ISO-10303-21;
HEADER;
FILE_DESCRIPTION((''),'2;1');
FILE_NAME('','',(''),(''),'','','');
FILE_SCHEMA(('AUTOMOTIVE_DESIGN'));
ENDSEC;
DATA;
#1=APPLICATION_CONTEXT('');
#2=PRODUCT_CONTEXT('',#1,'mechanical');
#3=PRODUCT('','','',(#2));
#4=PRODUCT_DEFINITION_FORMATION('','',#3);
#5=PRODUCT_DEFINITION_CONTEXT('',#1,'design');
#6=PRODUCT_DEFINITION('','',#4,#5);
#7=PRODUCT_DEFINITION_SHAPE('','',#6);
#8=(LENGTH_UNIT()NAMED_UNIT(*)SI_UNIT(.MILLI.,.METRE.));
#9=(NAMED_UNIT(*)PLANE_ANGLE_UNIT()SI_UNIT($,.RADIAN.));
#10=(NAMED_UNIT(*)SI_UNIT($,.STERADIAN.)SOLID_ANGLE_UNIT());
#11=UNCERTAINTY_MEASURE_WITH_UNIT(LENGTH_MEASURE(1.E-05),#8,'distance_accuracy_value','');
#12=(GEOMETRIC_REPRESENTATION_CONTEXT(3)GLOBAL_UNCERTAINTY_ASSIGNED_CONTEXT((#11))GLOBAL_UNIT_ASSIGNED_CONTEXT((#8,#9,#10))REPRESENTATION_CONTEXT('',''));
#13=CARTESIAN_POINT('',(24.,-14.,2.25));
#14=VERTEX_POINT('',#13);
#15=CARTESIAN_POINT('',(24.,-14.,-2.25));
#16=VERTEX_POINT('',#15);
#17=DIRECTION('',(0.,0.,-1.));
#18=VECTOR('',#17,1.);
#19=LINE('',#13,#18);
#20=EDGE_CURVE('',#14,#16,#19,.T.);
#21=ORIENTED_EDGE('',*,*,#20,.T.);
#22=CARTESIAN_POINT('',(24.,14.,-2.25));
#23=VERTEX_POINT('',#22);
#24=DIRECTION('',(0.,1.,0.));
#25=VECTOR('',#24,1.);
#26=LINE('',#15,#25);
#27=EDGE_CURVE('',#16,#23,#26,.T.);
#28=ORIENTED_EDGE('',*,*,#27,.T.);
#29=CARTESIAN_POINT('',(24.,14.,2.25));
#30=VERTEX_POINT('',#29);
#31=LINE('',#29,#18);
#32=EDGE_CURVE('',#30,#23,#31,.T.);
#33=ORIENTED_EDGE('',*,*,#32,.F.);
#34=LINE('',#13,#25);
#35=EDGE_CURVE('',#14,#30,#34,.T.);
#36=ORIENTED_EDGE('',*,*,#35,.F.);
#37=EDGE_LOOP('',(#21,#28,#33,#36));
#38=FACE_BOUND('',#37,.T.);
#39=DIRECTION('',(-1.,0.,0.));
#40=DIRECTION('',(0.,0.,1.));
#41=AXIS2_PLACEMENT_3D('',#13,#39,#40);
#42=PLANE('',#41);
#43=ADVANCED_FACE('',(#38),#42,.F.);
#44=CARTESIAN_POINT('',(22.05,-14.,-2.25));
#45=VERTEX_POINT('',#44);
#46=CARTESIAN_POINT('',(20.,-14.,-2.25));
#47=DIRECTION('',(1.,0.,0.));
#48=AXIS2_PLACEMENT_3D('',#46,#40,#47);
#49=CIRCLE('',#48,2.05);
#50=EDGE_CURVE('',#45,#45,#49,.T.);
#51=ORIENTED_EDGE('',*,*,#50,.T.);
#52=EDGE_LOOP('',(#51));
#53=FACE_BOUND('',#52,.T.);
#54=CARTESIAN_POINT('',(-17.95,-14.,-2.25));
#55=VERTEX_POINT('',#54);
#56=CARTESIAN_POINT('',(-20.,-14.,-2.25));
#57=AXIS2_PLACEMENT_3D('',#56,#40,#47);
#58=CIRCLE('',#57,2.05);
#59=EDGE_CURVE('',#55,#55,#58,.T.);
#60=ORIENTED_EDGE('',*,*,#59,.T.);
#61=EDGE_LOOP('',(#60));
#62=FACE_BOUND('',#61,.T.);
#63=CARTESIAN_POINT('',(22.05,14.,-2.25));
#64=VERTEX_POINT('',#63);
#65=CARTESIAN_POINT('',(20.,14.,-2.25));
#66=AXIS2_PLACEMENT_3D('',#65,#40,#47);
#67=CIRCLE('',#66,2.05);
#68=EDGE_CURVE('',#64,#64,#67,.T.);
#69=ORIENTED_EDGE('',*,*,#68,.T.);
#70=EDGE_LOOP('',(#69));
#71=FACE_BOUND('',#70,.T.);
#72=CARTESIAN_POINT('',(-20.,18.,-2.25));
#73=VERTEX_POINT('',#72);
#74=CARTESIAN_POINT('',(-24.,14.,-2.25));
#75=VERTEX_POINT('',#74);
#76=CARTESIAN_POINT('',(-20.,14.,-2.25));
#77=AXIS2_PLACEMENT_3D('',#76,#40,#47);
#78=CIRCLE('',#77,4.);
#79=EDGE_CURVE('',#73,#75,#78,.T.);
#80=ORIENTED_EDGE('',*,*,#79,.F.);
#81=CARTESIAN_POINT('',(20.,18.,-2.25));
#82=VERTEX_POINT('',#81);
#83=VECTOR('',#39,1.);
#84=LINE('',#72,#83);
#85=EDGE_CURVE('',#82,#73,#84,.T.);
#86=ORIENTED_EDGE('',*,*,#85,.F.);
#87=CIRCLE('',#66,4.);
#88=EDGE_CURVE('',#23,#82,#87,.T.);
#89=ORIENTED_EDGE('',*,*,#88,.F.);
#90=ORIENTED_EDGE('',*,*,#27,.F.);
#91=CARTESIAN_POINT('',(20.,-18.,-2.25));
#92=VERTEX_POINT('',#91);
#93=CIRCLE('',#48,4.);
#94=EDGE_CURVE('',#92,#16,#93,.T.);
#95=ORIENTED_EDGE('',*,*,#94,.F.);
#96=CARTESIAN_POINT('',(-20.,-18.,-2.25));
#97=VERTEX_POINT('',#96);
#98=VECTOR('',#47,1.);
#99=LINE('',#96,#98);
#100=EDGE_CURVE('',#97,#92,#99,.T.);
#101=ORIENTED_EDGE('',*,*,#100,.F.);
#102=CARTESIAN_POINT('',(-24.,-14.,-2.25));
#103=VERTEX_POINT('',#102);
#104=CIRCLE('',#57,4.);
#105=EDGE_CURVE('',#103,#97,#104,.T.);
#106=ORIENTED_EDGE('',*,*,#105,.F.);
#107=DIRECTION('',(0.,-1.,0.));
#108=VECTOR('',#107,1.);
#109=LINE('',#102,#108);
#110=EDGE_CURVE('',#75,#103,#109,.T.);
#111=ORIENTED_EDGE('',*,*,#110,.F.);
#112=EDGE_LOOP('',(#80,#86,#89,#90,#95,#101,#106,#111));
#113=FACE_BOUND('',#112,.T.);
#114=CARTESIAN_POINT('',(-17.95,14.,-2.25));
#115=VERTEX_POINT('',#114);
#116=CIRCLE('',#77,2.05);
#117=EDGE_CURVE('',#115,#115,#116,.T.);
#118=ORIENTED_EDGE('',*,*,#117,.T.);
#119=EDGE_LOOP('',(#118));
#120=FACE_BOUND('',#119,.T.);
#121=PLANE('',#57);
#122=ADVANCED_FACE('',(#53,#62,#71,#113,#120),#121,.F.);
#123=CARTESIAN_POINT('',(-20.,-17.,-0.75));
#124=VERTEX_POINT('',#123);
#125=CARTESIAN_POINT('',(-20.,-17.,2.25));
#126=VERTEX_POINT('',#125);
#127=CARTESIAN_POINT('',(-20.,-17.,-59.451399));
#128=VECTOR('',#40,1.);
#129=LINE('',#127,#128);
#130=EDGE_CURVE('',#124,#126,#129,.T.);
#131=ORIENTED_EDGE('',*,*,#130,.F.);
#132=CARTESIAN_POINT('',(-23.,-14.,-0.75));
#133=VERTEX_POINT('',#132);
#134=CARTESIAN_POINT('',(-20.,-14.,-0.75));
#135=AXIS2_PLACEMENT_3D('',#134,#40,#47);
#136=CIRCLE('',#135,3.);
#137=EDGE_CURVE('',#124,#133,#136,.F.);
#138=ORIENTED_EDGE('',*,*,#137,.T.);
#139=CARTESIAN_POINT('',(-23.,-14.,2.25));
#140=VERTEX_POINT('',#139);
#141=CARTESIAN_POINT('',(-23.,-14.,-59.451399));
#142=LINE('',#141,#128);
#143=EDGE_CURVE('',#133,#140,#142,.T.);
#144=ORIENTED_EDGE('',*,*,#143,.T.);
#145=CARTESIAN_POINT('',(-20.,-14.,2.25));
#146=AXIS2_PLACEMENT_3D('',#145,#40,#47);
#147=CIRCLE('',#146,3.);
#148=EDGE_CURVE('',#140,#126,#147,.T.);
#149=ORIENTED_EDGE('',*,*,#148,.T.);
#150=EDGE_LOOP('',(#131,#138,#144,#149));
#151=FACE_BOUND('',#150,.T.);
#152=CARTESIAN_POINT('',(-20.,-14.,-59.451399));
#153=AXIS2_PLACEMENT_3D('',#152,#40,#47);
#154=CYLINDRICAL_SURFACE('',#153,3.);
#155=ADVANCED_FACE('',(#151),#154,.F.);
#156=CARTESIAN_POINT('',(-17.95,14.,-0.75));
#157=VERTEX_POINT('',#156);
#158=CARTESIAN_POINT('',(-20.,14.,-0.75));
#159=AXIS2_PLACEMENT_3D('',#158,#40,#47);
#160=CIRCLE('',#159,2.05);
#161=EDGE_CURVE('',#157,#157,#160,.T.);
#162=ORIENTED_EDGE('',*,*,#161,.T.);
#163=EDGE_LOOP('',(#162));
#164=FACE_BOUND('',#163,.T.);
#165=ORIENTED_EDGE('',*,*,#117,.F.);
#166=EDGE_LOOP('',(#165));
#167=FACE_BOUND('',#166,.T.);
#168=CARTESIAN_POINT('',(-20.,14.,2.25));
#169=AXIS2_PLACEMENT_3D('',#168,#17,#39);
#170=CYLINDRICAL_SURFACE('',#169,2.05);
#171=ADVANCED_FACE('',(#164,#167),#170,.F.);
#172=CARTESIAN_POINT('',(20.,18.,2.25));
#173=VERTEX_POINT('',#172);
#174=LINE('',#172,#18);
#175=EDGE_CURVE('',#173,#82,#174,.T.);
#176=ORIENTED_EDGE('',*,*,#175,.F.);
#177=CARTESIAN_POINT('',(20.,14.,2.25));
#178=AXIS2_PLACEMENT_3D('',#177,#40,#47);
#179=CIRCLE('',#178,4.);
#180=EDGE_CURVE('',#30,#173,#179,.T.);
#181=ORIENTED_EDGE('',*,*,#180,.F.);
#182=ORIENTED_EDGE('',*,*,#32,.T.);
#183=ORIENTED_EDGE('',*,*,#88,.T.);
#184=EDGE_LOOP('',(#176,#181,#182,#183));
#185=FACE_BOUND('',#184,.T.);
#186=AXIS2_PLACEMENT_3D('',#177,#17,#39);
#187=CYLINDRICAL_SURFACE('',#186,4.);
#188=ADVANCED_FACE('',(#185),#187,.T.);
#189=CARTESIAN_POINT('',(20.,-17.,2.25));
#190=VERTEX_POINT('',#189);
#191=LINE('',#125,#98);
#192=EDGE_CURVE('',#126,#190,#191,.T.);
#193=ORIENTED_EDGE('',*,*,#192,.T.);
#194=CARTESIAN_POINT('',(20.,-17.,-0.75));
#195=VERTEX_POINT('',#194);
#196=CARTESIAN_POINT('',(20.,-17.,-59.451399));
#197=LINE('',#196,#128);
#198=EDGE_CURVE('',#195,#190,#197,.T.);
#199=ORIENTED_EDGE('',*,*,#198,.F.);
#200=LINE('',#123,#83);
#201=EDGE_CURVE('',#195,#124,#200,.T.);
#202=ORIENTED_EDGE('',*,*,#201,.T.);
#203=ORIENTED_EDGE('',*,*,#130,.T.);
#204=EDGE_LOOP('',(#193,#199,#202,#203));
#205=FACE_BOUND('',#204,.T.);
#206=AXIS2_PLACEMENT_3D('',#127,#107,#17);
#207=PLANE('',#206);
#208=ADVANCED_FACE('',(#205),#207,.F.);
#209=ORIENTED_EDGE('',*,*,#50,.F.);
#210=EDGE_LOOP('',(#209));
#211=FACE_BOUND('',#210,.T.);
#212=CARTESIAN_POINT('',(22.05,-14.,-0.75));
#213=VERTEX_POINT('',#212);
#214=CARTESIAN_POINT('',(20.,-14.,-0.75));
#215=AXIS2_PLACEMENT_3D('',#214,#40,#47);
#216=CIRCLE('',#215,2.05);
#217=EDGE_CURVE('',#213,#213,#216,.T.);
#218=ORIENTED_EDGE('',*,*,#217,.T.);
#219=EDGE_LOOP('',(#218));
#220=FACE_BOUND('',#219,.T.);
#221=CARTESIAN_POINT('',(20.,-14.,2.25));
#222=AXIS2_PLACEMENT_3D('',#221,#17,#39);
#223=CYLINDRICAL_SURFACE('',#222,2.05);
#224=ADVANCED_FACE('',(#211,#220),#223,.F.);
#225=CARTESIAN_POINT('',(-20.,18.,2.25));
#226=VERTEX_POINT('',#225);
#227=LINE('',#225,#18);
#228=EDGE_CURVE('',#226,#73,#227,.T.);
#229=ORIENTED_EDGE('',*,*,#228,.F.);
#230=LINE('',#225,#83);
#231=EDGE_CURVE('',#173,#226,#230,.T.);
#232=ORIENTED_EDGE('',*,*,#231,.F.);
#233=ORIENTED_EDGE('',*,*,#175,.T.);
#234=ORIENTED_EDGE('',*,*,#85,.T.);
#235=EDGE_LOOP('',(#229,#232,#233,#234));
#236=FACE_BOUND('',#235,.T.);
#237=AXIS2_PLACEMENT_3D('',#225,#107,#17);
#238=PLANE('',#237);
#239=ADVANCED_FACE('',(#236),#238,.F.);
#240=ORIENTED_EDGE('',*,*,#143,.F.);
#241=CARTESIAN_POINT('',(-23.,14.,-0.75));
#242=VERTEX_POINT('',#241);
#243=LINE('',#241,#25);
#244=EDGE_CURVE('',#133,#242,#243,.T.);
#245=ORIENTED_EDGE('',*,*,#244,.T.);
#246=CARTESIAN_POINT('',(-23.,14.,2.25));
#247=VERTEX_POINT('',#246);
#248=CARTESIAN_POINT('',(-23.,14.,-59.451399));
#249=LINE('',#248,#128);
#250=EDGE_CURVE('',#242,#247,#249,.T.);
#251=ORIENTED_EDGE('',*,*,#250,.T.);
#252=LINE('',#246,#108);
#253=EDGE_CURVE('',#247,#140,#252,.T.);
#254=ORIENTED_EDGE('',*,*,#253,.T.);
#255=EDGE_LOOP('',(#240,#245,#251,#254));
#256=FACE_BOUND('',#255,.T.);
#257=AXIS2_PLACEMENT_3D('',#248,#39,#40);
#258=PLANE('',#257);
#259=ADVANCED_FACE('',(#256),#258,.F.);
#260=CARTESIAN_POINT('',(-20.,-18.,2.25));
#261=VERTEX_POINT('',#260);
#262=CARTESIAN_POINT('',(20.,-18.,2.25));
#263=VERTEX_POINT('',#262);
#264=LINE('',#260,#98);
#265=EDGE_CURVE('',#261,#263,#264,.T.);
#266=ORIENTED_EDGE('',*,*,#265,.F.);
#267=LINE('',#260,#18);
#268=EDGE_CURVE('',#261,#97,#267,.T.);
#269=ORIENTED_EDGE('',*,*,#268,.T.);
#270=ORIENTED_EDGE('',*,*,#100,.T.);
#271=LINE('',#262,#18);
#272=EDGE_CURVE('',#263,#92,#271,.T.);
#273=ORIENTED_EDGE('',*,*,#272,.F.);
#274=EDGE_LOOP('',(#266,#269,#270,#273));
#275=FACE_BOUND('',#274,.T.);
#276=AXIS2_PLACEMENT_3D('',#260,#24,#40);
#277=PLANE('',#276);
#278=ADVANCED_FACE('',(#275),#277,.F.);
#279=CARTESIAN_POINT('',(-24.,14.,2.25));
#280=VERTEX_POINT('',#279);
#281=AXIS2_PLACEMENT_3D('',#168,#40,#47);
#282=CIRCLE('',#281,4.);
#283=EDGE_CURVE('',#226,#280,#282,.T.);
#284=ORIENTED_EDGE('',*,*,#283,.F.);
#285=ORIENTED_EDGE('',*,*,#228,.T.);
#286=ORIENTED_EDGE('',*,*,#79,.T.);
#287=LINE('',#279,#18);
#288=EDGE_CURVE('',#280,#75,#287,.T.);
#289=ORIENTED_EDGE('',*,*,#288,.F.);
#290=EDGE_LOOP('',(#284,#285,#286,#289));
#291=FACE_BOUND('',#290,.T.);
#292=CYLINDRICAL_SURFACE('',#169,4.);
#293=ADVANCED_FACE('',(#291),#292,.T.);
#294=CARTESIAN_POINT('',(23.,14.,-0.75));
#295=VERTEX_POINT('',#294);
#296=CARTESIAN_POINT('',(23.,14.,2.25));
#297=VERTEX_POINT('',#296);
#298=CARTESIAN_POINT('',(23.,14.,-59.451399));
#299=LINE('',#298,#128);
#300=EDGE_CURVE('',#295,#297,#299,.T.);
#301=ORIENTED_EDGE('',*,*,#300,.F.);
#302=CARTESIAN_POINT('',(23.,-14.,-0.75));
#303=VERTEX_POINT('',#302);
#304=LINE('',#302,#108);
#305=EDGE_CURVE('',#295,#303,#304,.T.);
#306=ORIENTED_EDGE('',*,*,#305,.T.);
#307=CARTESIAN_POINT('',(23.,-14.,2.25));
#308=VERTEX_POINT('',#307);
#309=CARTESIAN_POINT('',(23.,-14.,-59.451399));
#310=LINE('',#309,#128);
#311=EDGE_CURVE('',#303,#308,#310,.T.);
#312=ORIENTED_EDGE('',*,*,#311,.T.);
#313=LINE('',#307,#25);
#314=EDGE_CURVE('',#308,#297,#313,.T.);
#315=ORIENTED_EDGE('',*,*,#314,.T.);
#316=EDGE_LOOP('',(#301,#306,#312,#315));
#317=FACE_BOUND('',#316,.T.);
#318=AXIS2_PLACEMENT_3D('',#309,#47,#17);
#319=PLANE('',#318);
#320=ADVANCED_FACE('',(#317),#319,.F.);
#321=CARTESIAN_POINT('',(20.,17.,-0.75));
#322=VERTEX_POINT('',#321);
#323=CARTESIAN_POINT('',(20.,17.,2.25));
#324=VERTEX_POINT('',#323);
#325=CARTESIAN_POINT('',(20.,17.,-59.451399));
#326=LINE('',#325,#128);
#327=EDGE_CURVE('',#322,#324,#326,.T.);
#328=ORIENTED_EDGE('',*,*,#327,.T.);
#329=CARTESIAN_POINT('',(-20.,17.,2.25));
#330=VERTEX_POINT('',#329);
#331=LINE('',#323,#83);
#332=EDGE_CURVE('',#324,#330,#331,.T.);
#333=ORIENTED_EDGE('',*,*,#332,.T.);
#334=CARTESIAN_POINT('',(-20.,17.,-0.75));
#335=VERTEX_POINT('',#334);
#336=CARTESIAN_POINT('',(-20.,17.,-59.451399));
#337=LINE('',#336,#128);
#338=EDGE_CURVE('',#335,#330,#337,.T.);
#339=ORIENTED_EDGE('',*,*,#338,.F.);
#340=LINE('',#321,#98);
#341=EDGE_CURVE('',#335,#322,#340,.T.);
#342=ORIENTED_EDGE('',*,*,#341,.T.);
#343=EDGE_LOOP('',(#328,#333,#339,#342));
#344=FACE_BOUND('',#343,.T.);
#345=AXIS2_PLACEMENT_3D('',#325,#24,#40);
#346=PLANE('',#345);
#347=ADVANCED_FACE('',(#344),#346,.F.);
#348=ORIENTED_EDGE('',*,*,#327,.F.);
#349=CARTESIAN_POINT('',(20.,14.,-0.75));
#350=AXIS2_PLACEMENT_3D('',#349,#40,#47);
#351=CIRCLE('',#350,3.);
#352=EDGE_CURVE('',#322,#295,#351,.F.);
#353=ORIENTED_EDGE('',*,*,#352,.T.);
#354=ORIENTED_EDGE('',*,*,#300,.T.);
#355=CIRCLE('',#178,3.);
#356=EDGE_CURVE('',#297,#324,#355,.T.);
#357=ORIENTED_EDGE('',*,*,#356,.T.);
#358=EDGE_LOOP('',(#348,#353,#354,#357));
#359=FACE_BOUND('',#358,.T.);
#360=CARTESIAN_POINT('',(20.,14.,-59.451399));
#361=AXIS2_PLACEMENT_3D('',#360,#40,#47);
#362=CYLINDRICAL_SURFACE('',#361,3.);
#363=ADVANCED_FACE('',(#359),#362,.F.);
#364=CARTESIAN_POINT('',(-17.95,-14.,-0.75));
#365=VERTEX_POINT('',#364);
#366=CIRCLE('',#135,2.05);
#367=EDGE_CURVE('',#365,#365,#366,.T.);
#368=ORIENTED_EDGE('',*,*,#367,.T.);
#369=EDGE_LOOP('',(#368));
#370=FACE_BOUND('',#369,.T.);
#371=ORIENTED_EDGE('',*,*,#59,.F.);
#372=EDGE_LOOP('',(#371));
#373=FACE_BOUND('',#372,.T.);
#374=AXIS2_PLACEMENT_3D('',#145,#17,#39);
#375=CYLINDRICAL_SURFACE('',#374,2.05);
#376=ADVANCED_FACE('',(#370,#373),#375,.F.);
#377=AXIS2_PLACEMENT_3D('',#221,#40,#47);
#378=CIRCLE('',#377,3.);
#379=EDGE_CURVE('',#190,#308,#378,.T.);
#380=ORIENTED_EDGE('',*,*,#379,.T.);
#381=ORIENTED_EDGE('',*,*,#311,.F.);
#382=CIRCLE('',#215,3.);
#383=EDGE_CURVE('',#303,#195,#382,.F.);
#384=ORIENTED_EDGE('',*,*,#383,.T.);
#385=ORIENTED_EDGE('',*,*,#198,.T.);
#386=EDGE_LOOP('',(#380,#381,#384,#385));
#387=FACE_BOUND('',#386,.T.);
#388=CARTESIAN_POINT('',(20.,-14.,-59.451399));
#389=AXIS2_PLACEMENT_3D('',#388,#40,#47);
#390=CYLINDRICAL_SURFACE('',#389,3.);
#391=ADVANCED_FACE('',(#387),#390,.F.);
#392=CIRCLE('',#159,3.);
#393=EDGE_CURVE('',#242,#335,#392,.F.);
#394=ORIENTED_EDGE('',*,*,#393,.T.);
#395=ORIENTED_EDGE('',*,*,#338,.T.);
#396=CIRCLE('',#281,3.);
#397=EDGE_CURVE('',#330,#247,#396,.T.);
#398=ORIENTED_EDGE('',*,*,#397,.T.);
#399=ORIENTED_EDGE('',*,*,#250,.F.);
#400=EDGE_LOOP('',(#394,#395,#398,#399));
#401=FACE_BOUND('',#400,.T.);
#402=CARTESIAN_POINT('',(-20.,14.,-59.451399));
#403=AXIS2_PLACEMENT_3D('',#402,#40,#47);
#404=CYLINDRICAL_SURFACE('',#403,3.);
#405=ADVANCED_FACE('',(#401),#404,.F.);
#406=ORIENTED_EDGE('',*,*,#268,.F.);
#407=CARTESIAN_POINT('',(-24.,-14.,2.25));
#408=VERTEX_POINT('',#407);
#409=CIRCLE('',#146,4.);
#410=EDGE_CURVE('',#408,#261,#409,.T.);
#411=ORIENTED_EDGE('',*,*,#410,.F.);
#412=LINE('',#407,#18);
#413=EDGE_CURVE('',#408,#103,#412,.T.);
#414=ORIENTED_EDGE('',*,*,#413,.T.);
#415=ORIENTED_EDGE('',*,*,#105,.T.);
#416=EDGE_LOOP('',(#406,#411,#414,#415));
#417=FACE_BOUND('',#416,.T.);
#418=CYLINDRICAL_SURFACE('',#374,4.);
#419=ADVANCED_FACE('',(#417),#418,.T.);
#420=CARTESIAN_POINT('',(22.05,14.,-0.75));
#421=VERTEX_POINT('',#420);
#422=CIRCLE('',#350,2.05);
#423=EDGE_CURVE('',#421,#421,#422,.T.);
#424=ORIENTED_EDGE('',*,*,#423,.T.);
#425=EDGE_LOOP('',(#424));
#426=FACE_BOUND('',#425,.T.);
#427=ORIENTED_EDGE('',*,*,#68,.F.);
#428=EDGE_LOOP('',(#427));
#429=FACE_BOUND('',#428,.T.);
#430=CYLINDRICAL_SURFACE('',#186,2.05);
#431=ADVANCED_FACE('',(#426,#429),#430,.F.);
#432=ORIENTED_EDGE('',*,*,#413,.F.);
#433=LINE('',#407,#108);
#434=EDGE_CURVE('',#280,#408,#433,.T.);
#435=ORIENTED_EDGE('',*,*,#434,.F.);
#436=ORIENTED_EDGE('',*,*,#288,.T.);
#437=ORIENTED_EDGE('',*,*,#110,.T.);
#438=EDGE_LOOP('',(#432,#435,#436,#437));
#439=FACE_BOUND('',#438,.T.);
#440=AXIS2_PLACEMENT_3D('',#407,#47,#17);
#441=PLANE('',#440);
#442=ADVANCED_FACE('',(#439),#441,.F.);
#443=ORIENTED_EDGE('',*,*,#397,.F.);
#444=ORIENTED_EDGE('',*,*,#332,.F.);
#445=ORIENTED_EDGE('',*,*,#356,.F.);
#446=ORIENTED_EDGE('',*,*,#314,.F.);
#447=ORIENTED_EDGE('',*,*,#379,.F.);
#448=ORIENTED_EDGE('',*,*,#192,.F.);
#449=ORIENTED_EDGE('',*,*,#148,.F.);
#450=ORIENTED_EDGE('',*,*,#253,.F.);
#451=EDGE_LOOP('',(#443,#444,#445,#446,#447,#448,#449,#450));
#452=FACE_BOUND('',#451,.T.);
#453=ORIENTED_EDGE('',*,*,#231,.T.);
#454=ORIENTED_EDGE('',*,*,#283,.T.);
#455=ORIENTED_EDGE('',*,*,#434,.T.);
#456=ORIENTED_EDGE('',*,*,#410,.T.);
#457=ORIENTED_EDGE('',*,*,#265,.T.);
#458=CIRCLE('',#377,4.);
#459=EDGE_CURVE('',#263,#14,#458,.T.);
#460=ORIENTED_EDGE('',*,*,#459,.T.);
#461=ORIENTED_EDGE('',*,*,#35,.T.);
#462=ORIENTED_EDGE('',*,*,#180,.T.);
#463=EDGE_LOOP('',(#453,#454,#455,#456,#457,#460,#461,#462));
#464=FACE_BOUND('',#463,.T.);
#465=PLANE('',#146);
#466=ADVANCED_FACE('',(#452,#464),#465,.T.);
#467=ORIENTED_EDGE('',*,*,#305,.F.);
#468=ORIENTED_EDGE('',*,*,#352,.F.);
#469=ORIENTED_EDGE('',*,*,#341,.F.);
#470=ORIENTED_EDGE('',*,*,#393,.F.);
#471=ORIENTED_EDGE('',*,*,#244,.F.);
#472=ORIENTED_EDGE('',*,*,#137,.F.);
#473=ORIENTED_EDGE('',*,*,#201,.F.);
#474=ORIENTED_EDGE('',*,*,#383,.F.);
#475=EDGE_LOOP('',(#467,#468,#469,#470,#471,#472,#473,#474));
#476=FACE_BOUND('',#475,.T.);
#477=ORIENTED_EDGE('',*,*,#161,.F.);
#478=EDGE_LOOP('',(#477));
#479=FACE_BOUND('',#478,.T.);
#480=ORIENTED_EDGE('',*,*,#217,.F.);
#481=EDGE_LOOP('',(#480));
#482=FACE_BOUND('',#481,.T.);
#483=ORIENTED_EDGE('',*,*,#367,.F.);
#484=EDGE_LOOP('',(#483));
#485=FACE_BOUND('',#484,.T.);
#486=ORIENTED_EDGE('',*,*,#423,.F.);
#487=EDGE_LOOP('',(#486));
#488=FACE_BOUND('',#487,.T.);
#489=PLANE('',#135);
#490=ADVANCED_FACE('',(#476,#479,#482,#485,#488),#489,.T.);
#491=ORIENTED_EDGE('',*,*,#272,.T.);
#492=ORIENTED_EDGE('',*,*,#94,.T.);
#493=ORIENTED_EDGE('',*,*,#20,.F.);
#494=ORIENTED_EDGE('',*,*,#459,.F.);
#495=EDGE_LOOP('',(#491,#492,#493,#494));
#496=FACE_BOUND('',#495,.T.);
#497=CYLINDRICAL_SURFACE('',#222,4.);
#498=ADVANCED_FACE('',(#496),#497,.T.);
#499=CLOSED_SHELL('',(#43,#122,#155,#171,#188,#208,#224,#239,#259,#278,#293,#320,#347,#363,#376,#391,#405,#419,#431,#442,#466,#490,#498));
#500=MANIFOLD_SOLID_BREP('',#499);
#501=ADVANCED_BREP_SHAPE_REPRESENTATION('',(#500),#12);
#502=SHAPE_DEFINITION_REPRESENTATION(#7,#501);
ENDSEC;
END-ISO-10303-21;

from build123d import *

# Parameters (mm, degrees)
SKETCH1_R           = 2.05
BOSS_EXTRUDE1_DEPTH = 2.25
CUT_EXTRUDE2_DEPTH  = 3


with BuildPart() as part:
    # Sketch1 → Boss-Extrude1 (new, symmetric)
    with BuildSketch(Plane.XY):
        with BuildLine():
            Line((-20, -18), (20, -18))
            ThreePointArc((20, -18), (22.828427125, -16.828427125), (24, -14))
            Line((24, -14), (24, 14))
            ThreePointArc((24, 14), (22.828427125, 16.828427125), (20, 18))
            Line((20, 18), (-20, 18))
            ThreePointArc((-20, 18), (-22.828427125, 16.828427125), (-24, 14))
            Line((-24, 14), (-24, -14))
            ThreePointArc((-24, -14), (-22.828427125, -16.828427125), (-20, -18))
        make_face()
        with Locations((-20, -14)):
            Circle(SKETCH1_R, mode=Mode.SUBTRACT)
        with Locations((-20, 14)):
            Circle(SKETCH1_R, mode=Mode.SUBTRACT)
        with Locations((20, 14)):
            Circle(SKETCH1_R, mode=Mode.SUBTRACT)
        with Locations((20, -14)):
            Circle(SKETCH1_R, mode=Mode.SUBTRACT)
    extrude(amount=BOSS_EXTRUDE1_DEPTH, both=True)

    # Sketch3 → Cut-Extrude2 (cut)
    with BuildSketch(Plane.XY.offset(2.25)):
        with BuildLine():
            Line((23, -14), (23, 14))
            ThreePointArc((23, 14), (22.121320344, 16.121320344), (20, 17))
            Line((20, 17), (-20, 17))
            ThreePointArc((-20, 17), (-22.121320344, 16.121320344), (-23, 14))
            Line((-23, 14), (-23, -14))
            ThreePointArc((-23, -14), (-22.121320344, -16.121320344), (-20, -17))
            Line((-20, -17), (20, -17))
            ThreePointArc((20, -17), (22.121320344, -16.121320344), (23, -14))
        make_face()
    extrude(amount=-CUT_EXTRUDE2_DEPTH, mode=Mode.SUBTRACT)


solid = part.part
